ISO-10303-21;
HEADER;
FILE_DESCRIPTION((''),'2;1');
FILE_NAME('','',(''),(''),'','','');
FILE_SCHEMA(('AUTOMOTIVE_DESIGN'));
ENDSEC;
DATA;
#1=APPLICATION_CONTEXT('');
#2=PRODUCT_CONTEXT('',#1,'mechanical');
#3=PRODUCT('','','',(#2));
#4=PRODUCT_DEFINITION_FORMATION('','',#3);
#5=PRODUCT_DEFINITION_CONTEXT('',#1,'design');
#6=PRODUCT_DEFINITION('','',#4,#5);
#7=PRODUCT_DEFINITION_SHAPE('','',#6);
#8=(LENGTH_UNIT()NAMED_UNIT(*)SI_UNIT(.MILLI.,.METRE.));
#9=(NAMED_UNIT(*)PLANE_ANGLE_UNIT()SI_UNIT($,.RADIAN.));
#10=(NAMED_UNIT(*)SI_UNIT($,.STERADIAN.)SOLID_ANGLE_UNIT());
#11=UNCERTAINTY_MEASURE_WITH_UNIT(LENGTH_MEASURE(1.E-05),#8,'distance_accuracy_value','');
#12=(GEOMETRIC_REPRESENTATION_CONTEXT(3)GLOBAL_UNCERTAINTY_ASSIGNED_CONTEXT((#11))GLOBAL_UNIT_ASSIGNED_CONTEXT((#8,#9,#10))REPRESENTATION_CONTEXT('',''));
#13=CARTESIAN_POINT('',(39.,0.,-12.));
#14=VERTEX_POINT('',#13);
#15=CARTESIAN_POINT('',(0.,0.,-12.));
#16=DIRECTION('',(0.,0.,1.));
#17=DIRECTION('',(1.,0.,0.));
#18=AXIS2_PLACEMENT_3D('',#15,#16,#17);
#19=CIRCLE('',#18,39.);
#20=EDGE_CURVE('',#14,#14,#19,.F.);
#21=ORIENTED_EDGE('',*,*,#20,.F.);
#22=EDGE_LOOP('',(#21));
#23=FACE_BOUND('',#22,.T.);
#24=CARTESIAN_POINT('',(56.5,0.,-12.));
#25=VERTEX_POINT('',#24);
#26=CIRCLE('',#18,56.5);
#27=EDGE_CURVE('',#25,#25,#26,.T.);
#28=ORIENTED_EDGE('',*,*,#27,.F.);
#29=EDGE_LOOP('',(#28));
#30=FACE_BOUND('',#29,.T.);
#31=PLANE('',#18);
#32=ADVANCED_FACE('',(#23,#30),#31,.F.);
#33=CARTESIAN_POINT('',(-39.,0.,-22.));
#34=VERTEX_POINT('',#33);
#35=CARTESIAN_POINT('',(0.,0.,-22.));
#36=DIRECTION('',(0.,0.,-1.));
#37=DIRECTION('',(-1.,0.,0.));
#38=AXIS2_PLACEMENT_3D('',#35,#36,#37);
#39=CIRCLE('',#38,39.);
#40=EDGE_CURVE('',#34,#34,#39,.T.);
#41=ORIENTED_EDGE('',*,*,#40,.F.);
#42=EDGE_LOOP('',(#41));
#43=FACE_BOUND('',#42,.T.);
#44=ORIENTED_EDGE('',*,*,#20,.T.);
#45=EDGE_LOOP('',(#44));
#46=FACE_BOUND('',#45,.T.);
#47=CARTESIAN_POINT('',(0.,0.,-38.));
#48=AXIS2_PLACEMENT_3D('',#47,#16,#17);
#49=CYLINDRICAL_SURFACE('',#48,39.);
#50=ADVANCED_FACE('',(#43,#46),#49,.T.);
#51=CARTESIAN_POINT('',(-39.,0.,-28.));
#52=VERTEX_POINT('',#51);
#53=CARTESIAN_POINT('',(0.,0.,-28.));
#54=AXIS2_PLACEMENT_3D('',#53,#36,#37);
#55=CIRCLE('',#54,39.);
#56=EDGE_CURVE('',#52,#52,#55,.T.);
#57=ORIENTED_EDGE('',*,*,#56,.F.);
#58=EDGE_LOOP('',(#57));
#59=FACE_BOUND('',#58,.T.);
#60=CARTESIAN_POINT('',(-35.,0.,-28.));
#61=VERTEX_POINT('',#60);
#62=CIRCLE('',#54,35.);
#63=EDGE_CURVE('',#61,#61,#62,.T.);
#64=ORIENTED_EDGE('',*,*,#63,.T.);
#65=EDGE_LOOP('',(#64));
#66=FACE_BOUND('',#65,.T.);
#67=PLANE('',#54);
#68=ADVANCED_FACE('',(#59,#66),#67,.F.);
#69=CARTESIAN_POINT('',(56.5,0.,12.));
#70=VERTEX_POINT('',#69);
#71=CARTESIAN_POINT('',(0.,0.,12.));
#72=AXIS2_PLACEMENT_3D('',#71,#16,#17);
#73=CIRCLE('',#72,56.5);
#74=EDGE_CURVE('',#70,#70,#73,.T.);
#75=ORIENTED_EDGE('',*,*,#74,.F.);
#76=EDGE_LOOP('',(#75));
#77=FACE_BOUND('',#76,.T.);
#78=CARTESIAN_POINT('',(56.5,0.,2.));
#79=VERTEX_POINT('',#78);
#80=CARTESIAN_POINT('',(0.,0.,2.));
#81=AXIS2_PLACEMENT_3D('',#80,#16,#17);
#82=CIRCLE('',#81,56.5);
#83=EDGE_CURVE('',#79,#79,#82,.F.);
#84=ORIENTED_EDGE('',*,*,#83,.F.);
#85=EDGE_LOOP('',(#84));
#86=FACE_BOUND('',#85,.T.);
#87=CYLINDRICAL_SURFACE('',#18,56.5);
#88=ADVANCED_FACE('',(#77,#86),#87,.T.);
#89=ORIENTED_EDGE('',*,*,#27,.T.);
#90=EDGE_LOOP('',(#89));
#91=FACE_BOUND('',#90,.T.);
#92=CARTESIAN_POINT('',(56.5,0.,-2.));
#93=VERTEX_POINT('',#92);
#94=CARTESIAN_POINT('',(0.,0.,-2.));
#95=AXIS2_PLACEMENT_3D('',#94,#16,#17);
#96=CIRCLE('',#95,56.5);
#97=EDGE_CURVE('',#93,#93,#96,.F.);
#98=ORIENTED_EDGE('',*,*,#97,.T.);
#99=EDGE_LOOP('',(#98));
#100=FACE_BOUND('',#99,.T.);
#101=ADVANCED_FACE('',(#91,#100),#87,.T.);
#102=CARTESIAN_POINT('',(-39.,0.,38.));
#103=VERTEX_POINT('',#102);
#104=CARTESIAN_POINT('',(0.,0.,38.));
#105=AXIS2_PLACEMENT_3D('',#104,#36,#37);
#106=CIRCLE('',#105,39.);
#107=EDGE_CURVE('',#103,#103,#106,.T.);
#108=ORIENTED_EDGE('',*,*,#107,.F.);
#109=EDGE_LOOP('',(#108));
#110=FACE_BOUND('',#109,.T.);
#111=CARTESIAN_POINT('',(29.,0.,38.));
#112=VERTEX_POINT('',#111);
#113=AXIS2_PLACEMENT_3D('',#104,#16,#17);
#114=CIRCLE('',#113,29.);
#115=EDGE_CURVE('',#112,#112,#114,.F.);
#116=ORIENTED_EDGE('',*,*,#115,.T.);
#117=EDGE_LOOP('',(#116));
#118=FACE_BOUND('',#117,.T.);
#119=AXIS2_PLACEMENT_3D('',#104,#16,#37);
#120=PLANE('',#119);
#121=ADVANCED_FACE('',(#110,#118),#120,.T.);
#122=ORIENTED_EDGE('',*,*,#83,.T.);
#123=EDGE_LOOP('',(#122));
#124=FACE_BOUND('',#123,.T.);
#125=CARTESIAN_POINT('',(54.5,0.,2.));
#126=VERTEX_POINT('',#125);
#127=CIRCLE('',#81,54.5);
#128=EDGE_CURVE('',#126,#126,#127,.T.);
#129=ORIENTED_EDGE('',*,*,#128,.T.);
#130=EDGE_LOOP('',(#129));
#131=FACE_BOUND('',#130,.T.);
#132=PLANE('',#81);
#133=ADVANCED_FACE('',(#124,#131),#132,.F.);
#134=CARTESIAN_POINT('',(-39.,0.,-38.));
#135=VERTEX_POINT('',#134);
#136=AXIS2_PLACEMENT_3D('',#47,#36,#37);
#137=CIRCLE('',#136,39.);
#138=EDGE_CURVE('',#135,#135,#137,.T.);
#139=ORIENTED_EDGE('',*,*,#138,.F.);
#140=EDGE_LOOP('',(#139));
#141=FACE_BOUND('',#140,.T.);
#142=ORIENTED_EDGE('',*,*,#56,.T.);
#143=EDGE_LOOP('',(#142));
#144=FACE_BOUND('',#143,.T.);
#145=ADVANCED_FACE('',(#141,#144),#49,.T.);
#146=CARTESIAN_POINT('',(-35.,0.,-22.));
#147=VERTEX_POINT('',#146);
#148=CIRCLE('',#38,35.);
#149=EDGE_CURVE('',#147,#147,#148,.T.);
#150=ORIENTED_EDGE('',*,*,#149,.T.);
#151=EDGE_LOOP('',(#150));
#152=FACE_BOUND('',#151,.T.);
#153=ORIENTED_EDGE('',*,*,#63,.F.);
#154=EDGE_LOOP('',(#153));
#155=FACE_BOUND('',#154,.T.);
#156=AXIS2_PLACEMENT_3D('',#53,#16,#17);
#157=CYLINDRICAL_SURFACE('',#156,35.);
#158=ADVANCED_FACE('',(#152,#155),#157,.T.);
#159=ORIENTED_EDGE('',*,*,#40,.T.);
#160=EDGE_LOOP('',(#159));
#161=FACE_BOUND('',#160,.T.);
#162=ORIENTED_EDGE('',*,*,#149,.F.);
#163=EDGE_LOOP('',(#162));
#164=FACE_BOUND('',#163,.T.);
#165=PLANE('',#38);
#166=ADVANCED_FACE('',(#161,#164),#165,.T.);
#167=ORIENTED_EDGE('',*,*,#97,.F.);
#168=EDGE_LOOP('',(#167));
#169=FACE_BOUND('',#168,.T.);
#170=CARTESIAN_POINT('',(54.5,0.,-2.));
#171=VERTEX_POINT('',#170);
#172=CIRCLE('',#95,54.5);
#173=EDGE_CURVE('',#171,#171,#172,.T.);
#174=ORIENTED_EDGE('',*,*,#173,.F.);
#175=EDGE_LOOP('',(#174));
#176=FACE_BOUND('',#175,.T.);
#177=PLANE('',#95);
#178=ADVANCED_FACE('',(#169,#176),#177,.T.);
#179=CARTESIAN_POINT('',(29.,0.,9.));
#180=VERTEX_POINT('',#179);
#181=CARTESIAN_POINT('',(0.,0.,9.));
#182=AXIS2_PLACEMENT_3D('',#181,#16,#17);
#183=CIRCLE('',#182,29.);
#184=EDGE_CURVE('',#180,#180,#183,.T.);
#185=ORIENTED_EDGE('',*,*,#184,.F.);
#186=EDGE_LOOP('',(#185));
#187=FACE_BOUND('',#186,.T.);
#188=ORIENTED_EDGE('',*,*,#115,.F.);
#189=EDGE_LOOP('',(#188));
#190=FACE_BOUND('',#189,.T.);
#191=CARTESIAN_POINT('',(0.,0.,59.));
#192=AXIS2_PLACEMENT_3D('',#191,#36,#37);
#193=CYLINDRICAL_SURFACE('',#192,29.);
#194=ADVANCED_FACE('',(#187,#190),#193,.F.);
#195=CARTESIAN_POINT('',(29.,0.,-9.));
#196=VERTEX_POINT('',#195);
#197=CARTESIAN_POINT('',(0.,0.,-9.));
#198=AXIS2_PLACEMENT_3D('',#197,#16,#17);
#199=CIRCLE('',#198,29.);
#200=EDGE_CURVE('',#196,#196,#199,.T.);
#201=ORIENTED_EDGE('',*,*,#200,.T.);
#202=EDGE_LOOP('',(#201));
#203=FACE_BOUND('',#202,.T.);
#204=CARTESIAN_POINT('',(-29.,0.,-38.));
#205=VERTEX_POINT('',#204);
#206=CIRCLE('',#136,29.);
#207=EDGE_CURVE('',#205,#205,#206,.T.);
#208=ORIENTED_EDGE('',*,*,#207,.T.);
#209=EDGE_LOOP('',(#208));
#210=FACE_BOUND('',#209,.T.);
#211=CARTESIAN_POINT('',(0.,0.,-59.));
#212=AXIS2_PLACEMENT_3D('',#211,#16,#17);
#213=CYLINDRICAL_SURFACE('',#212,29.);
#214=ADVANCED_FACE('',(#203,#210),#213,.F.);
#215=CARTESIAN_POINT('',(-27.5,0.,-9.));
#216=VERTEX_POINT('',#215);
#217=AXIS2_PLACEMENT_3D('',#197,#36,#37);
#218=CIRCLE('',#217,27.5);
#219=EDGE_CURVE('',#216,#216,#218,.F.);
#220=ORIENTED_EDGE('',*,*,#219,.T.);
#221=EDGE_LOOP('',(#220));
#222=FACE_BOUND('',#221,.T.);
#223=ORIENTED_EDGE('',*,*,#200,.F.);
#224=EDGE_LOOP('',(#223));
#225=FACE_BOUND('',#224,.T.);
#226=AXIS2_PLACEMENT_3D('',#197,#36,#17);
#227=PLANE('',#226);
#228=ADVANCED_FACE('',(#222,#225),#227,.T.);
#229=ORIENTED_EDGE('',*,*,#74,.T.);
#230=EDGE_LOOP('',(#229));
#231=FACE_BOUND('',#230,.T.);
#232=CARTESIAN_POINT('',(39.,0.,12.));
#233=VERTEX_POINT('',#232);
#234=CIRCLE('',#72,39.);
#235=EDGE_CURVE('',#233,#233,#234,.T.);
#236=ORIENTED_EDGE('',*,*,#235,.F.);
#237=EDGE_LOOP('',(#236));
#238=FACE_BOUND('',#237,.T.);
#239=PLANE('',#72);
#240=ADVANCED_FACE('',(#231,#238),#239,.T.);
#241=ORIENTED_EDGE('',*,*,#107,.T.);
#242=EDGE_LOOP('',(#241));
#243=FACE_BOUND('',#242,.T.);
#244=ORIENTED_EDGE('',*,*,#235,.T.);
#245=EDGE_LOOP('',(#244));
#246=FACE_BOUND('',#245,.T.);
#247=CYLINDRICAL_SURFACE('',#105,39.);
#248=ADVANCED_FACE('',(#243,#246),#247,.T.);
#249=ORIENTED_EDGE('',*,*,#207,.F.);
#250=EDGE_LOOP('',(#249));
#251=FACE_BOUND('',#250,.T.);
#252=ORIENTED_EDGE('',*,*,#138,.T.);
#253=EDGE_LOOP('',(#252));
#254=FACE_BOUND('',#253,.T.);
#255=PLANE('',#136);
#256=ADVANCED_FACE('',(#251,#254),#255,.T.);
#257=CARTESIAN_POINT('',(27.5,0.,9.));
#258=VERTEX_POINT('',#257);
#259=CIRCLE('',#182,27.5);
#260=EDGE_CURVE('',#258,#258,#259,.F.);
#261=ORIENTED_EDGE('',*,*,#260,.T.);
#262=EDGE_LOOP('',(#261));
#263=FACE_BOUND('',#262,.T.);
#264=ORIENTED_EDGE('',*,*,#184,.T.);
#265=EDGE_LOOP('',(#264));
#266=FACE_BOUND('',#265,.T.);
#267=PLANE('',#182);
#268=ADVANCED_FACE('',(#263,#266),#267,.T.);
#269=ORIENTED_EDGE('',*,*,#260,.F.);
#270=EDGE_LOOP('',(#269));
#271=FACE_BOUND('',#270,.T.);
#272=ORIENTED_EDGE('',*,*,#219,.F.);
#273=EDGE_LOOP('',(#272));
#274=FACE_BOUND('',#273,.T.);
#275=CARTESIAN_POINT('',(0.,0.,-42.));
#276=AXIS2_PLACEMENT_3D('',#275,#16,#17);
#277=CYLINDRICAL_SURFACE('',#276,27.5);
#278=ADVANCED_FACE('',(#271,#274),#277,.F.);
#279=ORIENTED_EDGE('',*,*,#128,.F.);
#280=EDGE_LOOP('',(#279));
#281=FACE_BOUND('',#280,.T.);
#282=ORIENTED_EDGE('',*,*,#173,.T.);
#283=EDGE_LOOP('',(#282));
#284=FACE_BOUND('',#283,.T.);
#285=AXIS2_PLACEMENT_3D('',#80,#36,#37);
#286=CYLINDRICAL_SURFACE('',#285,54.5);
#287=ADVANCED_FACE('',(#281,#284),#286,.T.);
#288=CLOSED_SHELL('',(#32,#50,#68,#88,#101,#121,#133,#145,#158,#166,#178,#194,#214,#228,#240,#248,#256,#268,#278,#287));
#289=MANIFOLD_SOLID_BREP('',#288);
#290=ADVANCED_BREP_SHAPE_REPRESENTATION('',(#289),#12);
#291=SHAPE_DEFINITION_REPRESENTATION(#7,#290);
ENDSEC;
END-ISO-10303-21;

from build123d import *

# Parameters (mm, degrees)
EXTRUDE_1_DEPTH          = 12
EXTRUDE_1_DEPTH_BACK     = 12
SKETCH_1_R               = 56.5
CUT_EXTRUDE_1_DEPTH      = 2
CUT_EXTRUDE_1_DEPTH_BACK = 2
SKETCH_2_R               = 74.899602785
SKETCH_2_R_2             = 54.5
SKETCH_3_R               = 39
EXTRUDE_2_DEPTH          = 26
CUT_EXTRUDE_2_DEPTH      = 3
CUT_EXTRUDE_2_DEPTH_BACK = 3
SKETCH_4_R               = 52.483360518
SKETCH_4_R_2             = 35
SKETCH_5_R               = 27.5
CUT_EXTRUDE_3_DEPTH      = 80
SKETCH_6_R               = 29
CUT_EXTRUDE_4_DEPTH      = 50


with BuildPart() as part:
    # 草图1 → 凸台-拉伸1 (new, two sides: drawn at the far end of the back side and taken through both)
    with BuildSketch(Plane.XY.offset(-EXTRUDE_1_DEPTH_BACK)):
        Circle(SKETCH_1_R)
    extrude(amount=EXTRUDE_1_DEPTH + EXTRUDE_1_DEPTH_BACK)

    # 草图2 → 切除-拉伸1 (cut, two sides: drawn at the far end of the back side and taken through both)
    with BuildSketch(Plane.XY.offset(-CUT_EXTRUDE_1_DEPTH_BACK)):
        Circle(SKETCH_2_R)
        Circle(SKETCH_2_R_2, mode=Mode.SUBTRACT)
    extrude(amount=CUT_EXTRUDE_1_DEPTH + CUT_EXTRUDE_1_DEPTH_BACK, mode=Mode.SUBTRACT)

    # 草图3 → 凸台-拉伸2 (add)
    with BuildSketch(Plane(origin=(0, 0, -12), x_dir=(-1, 0, 0), z_dir=(0, 0, -1))):
        Circle(SKETCH_3_R)
    extrude_2 = extrude(amount=EXTRUDE_2_DEPTH)

    # 镜向1: 凸台-拉伸2 across plane
    add(extrude_2.mirror(Plane.XY))

    # 草图4 → 切除-拉伸2 (cut, two sides: drawn at the far end of the back side and taken through both)
    with BuildSketch(Plane(origin=(0, 0, -25), x_dir=(-1, 0, 0), z_dir=(0, 0, -1)).offset(-CUT_EXTRUDE_2_DEPTH_BACK)):
        Circle(SKETCH_4_R)
        Circle(SKETCH_4_R_2, mode=Mode.SUBTRACT)
    extrude(amount=CUT_EXTRUDE_2_DEPTH + CUT_EXTRUDE_2_DEPTH_BACK, mode=Mode.SUBTRACT)

    # 草图5 → 切除-拉伸3 (cut)
    with BuildSketch(Plane.XY.offset(38)):
        Circle(SKETCH_5_R)
    extrude(amount=-CUT_EXTRUDE_3_DEPTH, mode=Mode.SUBTRACT)

    # 草图6 → 切除-拉伸4 (cut)
    with BuildSketch(Plane.XY.offset(9)):
        Circle(SKETCH_6_R)
    cut_extrude_4 = extrude(amount=CUT_EXTRUDE_4_DEPTH, mode=Mode.SUBTRACT)

    # 镜向2: 切除-拉伸4 across plane
    add(cut_extrude_4.mirror(Plane.XY), mode=Mode.SUBTRACT)


solid = part.part
